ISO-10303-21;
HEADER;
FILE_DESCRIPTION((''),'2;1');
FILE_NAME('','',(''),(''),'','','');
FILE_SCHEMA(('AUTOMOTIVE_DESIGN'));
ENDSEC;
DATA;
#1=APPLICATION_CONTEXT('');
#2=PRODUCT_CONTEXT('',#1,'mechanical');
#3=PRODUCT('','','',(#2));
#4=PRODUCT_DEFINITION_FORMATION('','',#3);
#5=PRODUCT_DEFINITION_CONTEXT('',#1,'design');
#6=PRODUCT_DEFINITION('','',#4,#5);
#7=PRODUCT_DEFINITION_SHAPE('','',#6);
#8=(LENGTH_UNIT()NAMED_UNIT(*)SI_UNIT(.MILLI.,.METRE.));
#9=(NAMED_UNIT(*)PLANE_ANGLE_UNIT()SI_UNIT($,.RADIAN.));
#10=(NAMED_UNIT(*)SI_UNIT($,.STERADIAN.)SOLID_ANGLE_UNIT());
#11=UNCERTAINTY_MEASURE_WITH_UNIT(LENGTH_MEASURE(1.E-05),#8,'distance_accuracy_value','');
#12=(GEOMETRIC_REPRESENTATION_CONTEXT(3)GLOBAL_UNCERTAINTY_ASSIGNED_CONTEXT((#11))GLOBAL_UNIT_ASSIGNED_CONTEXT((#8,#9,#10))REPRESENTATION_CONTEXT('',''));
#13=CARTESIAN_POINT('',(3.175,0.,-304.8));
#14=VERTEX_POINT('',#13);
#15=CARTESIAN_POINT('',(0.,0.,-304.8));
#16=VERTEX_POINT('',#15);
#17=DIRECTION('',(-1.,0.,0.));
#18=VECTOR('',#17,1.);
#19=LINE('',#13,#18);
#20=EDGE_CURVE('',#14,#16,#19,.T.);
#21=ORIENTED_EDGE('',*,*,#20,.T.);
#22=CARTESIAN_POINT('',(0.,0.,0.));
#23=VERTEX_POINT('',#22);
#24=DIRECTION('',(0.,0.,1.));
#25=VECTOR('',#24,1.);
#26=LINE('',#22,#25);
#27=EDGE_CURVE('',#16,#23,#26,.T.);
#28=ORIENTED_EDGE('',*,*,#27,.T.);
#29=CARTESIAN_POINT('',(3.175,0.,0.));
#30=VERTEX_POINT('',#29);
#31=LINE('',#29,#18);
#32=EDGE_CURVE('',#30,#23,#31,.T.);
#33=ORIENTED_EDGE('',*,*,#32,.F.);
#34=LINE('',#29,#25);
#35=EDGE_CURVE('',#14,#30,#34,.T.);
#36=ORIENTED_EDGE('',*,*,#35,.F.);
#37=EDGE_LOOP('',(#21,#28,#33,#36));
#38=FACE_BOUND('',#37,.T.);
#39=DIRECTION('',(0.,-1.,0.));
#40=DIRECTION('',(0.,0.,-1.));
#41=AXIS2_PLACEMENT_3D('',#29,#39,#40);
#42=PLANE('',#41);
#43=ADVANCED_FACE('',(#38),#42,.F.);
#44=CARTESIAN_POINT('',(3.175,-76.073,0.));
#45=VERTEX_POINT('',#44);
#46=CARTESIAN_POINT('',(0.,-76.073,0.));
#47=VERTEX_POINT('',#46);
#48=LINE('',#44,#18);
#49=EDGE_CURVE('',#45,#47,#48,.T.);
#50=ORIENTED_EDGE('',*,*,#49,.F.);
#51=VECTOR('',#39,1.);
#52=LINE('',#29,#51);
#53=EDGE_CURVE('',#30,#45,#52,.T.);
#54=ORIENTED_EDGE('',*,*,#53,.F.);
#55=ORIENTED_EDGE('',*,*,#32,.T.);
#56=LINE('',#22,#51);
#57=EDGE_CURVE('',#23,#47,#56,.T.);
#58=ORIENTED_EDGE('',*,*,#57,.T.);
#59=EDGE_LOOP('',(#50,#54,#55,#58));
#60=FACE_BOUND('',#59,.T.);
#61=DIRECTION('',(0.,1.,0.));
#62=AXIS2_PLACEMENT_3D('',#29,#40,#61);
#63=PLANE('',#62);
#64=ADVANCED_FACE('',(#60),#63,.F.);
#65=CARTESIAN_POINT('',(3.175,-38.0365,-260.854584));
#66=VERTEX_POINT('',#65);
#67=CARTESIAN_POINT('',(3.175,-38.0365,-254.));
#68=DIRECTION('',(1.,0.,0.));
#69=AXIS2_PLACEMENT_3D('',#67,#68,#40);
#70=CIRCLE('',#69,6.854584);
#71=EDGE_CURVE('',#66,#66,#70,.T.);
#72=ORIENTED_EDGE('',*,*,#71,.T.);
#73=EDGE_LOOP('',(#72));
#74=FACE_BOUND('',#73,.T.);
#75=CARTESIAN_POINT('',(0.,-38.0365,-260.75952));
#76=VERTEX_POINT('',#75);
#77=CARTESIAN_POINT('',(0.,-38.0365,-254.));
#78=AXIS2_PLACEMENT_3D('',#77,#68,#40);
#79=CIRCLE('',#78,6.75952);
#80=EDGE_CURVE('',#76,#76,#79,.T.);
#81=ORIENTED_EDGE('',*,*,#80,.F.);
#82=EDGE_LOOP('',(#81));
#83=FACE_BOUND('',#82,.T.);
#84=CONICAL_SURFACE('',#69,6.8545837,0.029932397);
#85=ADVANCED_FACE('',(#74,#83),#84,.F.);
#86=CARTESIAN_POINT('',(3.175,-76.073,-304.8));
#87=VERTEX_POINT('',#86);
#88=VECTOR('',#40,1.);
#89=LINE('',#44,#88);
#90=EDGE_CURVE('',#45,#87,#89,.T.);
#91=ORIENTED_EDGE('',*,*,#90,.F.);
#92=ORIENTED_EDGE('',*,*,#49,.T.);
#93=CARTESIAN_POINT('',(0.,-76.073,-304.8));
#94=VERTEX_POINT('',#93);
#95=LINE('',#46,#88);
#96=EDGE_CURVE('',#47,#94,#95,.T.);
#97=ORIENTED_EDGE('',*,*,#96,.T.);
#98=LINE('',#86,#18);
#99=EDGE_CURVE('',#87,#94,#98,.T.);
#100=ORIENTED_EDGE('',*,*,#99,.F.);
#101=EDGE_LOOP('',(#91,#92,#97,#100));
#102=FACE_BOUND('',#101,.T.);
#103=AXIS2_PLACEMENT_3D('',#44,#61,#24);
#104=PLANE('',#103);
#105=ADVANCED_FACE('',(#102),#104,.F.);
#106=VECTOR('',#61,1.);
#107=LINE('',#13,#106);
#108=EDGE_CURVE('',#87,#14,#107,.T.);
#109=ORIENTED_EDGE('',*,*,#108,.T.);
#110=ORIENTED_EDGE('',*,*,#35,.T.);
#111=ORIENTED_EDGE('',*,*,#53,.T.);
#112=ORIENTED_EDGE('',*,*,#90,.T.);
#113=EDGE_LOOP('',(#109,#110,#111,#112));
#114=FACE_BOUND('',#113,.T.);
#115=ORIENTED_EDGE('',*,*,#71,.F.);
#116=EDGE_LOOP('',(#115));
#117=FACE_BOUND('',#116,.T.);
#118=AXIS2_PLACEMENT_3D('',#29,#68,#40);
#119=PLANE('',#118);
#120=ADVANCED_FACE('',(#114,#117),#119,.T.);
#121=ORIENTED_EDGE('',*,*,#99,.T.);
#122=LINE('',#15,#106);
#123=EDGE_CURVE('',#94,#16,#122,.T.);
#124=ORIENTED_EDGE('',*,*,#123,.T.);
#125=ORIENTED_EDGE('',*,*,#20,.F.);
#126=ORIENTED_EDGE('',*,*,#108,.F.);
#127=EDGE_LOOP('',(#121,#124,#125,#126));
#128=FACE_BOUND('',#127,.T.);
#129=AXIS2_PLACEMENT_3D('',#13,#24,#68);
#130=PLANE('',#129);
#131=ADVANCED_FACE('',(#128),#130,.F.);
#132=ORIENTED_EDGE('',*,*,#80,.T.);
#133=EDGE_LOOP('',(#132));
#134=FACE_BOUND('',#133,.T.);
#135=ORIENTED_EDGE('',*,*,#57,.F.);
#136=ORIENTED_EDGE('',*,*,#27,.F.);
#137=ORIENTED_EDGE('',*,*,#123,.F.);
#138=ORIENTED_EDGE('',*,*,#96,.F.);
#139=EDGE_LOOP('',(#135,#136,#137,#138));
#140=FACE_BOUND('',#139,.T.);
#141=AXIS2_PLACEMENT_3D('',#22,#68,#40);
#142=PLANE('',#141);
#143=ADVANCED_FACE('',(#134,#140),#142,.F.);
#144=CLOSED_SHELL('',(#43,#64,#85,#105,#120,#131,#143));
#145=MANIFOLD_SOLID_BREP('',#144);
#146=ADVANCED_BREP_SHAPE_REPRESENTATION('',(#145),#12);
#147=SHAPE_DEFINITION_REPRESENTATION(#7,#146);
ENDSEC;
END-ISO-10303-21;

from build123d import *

# Parameters (mm, degrees)
SKETCH1_W           = 304.8
SKETCH1_H           = 76.073
BOSS_EXTRUDE1_DEPTH = 3.175


with BuildPart() as part:
    # Sketch1 → Boss-Extrude1 (new body)
    with BuildSketch(Plane(origin=(0, 0, 0), x_dir=(0, 0, -1), z_dir=(1, 0, 0))):
        with Locations((152.4, -38.0365)):
            Rectangle(SKETCH1_W, SKETCH1_H)
    extrude(amount=BOSS_EXTRUDE1_DEPTH)

    # Sketch7 → 1/4 NPT Tapped Hole2 (revolve, cut)
    with BuildSketch(Plane(origin=(3.175, -38.0365, -254), x_dir=(0, 0, -1), z_dir=(0, 1, 0))):
        Polygon((0, 0), (0, 3.175), (5.5626, 3.175), (5.5626, 9.906), (6.557984794, 9.906), (6.8545837, 0), align=None)
    revolve(axis=Axis((9.525, -38.0365, -254), (-1, 0, 0)), mode=Mode.SUBTRACT)


solid = part.part
